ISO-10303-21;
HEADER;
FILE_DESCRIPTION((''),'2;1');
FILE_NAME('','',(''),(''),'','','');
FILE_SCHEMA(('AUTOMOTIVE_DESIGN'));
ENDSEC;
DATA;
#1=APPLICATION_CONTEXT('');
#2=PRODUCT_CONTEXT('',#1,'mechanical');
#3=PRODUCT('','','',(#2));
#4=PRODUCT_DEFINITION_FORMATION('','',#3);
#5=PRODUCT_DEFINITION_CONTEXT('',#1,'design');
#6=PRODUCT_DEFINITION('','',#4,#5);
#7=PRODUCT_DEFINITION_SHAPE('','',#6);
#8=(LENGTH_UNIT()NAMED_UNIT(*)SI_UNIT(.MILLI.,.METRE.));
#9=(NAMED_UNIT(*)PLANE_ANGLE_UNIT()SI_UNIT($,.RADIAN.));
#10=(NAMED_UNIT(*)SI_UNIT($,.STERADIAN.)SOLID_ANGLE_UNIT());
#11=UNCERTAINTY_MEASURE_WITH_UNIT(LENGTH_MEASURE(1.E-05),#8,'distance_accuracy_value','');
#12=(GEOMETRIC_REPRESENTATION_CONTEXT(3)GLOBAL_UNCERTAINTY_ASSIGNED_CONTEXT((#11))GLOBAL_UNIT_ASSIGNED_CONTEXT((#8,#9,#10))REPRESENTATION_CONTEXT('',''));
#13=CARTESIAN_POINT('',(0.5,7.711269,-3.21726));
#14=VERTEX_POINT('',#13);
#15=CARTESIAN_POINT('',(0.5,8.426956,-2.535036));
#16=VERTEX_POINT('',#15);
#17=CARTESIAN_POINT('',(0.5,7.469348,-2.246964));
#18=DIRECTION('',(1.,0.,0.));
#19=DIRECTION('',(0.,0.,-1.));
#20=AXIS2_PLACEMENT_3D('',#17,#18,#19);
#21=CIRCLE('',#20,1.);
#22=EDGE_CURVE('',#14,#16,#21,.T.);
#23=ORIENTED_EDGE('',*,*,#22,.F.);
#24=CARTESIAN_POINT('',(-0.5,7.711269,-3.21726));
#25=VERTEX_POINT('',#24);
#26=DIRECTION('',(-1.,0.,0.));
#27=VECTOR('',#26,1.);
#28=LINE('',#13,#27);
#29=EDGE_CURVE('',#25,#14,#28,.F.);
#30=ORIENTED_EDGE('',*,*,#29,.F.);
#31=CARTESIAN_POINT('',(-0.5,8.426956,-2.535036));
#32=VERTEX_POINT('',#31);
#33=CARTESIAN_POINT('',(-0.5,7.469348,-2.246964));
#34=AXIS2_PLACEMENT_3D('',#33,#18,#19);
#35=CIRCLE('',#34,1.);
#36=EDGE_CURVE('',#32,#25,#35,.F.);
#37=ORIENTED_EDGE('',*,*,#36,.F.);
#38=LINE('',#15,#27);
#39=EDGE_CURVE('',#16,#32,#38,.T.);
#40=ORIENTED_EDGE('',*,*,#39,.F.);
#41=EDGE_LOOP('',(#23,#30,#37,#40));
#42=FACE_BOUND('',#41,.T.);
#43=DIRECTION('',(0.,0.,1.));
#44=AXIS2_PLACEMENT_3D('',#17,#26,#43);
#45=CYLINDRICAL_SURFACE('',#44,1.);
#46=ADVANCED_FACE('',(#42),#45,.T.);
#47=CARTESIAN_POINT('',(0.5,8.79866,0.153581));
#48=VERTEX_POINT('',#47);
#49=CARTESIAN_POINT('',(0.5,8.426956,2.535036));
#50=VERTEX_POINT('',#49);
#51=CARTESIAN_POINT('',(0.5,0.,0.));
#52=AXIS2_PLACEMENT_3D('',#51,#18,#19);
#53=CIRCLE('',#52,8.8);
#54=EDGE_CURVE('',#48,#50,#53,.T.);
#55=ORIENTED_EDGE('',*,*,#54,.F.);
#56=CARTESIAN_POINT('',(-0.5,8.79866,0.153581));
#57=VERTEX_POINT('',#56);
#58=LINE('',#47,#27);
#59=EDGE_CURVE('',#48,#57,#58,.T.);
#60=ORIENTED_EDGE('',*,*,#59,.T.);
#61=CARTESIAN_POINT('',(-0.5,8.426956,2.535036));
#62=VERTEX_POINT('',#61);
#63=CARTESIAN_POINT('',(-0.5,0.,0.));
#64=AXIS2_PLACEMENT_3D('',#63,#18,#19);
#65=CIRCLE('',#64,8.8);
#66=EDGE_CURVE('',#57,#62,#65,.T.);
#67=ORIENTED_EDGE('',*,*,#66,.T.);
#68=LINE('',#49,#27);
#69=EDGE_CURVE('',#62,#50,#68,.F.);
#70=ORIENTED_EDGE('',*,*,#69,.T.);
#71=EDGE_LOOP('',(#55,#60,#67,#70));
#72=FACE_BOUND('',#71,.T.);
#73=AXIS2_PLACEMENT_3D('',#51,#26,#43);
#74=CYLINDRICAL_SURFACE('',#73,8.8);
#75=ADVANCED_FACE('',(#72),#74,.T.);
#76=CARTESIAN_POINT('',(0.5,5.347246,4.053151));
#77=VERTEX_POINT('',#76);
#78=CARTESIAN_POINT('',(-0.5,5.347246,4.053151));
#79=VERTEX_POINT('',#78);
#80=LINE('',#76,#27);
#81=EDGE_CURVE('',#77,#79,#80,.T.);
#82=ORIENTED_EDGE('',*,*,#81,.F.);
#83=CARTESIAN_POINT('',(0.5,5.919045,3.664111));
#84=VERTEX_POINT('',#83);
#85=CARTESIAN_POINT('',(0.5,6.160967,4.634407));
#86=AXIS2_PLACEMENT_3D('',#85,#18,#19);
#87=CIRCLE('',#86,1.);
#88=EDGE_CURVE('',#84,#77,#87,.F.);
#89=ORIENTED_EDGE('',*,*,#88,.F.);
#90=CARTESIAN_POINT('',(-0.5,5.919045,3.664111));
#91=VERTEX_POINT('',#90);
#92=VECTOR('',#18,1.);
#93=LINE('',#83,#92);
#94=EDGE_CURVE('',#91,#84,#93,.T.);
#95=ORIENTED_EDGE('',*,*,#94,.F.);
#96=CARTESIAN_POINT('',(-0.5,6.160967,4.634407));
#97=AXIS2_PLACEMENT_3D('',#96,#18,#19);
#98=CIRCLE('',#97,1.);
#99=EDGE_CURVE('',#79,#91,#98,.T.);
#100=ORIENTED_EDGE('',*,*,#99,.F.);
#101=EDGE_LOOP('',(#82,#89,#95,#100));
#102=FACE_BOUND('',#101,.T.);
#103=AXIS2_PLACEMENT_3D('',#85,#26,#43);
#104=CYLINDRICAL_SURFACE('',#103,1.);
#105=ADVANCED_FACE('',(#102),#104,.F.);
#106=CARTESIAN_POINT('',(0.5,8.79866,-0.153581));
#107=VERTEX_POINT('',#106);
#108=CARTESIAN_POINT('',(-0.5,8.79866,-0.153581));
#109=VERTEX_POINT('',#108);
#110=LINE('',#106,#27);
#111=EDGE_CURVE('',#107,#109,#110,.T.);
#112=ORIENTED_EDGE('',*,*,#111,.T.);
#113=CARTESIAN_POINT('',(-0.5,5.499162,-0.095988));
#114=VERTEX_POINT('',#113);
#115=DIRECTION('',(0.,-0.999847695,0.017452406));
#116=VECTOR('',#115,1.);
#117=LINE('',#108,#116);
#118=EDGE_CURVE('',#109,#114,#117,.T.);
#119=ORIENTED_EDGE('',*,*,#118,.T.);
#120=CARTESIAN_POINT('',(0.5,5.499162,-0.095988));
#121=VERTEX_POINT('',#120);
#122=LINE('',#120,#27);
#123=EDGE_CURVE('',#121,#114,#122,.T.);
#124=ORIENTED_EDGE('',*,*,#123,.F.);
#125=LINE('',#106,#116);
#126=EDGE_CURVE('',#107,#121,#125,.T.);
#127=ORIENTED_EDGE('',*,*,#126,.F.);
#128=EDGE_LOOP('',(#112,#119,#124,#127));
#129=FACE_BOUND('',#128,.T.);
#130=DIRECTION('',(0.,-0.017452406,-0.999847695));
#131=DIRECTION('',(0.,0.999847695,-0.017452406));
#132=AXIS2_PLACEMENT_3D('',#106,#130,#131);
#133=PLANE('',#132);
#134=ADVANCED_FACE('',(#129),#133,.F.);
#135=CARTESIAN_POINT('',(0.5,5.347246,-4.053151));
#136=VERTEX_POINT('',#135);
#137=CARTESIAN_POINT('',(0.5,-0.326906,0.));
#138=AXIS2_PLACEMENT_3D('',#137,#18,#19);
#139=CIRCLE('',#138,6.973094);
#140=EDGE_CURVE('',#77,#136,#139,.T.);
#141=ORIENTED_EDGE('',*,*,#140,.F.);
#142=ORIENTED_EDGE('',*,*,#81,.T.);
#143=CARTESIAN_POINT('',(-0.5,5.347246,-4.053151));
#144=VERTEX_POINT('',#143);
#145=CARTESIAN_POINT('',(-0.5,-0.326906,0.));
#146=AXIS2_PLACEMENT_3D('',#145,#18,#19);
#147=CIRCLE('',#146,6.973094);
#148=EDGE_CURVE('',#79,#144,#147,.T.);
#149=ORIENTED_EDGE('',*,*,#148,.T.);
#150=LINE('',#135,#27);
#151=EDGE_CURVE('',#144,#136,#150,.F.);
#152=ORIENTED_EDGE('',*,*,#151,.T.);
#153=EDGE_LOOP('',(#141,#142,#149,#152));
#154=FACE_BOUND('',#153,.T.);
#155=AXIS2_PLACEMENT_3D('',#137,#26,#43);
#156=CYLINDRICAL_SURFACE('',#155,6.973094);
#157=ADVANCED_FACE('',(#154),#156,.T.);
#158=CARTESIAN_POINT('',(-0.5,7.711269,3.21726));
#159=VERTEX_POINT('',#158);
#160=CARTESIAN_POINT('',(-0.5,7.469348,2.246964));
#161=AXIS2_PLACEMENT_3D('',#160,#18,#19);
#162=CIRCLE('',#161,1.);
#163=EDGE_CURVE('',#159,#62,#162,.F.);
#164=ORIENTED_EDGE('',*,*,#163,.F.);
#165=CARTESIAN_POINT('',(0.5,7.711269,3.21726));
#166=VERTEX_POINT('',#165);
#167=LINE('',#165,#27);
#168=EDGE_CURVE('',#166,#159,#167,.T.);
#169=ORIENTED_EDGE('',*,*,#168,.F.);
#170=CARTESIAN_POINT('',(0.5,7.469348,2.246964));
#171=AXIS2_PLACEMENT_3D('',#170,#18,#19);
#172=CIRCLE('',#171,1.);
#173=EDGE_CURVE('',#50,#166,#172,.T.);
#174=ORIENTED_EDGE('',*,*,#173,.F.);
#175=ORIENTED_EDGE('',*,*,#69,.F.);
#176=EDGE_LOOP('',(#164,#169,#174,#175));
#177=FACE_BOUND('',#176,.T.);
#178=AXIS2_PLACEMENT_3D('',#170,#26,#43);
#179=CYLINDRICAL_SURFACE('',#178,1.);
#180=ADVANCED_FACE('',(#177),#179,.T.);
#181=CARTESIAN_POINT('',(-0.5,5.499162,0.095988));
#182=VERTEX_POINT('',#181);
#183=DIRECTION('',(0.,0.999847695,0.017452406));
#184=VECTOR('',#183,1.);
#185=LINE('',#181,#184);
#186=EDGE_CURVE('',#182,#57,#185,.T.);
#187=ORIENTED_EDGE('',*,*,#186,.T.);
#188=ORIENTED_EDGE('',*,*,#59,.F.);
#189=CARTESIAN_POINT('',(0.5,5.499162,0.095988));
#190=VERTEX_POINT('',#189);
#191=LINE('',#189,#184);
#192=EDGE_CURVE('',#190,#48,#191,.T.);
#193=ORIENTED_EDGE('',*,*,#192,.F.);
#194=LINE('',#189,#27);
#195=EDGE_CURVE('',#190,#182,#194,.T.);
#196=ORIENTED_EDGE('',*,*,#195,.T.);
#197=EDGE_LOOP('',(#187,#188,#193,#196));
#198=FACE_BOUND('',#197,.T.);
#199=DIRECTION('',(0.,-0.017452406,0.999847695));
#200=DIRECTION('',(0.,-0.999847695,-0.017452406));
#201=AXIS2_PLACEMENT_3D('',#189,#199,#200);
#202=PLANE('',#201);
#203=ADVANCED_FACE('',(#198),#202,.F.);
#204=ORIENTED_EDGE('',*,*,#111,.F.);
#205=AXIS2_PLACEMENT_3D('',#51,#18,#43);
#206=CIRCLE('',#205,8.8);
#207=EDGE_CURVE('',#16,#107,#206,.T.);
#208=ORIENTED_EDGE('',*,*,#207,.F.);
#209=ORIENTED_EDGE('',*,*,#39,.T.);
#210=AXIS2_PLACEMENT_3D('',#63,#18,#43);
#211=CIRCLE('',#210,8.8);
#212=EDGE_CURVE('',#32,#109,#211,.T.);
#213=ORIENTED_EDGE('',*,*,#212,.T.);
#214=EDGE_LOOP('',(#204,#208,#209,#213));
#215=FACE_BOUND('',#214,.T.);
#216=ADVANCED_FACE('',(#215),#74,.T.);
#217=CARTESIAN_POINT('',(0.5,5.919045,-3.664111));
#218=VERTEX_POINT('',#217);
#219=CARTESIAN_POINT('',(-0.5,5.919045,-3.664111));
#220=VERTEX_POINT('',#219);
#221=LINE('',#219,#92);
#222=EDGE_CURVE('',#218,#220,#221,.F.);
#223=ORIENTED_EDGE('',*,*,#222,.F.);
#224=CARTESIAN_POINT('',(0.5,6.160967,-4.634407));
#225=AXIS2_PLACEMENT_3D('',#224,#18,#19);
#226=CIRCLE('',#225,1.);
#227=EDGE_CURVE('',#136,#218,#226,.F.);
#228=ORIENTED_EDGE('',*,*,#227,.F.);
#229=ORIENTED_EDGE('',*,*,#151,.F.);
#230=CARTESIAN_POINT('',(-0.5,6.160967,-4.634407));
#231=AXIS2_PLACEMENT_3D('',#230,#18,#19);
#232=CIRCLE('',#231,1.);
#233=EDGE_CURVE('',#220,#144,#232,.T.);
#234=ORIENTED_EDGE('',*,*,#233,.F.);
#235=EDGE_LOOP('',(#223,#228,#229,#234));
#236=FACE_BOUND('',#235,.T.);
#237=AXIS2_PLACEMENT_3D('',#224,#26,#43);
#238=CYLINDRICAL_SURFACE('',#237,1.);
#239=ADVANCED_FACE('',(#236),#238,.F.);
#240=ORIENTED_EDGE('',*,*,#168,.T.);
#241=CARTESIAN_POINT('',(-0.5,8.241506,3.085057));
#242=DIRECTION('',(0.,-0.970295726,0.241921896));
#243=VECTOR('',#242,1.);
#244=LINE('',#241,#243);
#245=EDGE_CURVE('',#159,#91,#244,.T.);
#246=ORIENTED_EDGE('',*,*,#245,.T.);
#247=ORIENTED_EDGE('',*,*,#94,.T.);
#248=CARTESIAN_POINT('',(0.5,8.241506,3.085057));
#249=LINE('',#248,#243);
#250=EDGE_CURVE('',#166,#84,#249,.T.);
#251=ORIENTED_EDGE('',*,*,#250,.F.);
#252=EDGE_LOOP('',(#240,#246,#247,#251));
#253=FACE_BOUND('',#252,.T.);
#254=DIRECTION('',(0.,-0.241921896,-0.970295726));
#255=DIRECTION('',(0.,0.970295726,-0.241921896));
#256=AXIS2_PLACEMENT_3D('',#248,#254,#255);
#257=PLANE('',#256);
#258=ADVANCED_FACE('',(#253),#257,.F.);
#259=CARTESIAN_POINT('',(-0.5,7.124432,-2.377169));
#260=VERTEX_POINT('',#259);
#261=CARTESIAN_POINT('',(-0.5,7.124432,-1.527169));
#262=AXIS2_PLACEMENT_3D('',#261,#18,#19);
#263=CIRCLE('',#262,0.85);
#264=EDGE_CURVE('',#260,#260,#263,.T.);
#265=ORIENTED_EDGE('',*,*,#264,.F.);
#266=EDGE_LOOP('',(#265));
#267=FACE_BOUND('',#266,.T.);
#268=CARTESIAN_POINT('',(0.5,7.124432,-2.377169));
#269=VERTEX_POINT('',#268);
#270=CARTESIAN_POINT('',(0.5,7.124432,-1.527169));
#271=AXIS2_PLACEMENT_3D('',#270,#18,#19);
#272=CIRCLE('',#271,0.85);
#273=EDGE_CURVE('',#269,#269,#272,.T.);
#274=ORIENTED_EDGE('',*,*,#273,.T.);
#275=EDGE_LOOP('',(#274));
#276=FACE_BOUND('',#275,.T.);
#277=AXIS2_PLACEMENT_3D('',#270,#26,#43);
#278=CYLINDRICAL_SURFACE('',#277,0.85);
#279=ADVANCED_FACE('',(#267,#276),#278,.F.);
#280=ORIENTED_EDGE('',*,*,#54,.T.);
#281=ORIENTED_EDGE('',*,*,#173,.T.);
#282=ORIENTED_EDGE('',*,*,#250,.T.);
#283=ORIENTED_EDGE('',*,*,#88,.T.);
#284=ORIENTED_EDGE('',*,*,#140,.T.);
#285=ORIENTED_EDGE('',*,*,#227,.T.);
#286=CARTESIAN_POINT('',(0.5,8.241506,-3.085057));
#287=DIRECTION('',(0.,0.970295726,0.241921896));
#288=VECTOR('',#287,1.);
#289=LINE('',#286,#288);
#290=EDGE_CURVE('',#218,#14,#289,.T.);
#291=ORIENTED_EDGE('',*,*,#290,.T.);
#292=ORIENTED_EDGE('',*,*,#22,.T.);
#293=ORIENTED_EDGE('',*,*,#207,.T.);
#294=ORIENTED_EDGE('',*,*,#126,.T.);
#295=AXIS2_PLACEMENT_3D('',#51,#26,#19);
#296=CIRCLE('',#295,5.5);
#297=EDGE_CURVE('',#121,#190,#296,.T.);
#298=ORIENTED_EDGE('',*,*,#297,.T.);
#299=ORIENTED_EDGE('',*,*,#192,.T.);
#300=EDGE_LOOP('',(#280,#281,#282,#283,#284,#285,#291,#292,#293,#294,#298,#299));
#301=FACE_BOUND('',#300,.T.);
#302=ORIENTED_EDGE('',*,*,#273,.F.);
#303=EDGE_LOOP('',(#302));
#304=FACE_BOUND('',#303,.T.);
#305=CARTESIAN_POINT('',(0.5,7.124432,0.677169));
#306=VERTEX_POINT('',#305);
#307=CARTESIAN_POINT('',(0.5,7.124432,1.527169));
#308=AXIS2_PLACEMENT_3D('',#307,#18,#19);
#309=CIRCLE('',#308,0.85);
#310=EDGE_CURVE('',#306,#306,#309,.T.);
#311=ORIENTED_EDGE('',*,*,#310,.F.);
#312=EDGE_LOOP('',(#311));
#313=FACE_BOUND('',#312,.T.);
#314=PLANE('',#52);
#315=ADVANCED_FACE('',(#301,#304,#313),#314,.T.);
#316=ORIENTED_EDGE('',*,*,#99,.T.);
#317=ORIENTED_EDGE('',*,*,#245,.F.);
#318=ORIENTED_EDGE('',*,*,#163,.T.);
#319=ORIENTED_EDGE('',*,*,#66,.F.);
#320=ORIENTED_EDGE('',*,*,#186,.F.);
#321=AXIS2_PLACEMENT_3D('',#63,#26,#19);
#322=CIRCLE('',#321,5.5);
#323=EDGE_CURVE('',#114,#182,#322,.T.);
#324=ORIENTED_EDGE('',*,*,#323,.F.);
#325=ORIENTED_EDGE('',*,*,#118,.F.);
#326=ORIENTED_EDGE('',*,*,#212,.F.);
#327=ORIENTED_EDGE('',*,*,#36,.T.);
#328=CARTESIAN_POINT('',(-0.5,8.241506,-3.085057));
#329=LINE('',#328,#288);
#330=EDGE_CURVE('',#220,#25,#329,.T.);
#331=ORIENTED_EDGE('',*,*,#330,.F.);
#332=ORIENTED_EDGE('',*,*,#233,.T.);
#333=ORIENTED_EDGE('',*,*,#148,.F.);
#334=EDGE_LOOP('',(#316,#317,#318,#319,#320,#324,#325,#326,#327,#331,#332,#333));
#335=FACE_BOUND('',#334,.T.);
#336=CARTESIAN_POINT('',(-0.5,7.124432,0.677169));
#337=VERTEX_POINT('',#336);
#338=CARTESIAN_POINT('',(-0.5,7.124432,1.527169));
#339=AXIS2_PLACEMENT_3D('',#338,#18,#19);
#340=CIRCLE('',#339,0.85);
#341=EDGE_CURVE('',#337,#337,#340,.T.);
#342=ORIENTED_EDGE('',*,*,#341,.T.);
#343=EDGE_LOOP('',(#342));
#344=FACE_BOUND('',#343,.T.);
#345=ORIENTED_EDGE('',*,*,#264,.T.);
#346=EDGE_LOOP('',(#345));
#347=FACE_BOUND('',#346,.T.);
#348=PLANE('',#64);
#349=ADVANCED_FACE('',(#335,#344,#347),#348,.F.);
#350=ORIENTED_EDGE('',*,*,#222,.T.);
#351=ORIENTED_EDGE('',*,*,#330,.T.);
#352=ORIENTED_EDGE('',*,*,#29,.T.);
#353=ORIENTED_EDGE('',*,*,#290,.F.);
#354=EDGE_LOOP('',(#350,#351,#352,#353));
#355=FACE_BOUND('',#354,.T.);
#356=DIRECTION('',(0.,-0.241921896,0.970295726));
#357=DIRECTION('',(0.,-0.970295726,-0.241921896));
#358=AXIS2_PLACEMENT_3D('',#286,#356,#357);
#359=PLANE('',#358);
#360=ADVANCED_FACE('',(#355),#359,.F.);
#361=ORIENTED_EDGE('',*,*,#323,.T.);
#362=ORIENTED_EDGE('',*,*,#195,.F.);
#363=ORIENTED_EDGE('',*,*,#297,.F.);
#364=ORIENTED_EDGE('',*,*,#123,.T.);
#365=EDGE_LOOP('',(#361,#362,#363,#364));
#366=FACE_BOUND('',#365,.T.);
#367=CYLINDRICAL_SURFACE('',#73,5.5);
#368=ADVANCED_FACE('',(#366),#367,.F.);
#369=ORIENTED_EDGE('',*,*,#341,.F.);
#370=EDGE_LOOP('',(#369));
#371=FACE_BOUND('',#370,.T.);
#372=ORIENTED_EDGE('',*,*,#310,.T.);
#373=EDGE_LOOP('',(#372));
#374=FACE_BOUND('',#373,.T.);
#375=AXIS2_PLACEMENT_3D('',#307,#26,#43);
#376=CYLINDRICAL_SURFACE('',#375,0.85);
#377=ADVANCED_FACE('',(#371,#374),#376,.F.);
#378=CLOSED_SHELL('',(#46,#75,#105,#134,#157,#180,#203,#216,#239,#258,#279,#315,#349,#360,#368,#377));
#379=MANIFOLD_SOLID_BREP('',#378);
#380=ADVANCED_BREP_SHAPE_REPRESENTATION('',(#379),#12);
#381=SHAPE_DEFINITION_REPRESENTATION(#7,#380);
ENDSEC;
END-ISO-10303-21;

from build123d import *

# Parameters (mm, degrees)
SKETCH1_R      = 0.85
EXTRUDE1_DEPTH = 0.5
FILLET1_R      = 1


with BuildPart() as part:
    # Sketch1 → Extrude1 (new, symmetric)
    with BuildSketch(Plane(origin=(0, 0, 0), x_dir=(0, 0, -1), z_dir=(1, 0, 0))):
        with BuildLine():
            Line((-0.095988235, 5.499162323), (-0.153581177, 8.798659717))
            ThreePointArc((-0.153581177, 8.798659717), (-1.643106536, 8.645241518), (-3.085056855, 8.241506185))
            Line((-3.085056855, 8.241506185), (-3.756691586, 5.54772641))
            ThreePointArc((-3.756691586, 5.54772641), (0, -7.3), (3.756691586, 5.54772641))
            Line((3.756691586, 5.54772641), (3.085056855, 8.241506185))
            ThreePointArc((3.085056855, 8.241506185), (1.643106536, 8.645241518), (0.153581177, 8.798659717))
            Line((0.153581177, 8.798659717), (0.095988235, 5.499162323))
            ThreePointArc((0.095988235, 5.499162323), (0, -5.5), (-0.095988235, 5.499162323))
        make_face()
        with Locations((-1.527168783, 7.124432315)):
            Circle(SKETCH1_R, mode=Mode.SUBTRACT)
        with Locations((1.527168783, 7.124432315)):
            Circle(SKETCH1_R, mode=Mode.SUBTRACT)
    extrude(amount=EXTRUDE1_DEPTH, both=True)

    # Fillet1
    fillet1_edges = [part.edges().sort_by_distance(p)[0] for p in [
        (0, 8.241506185, -3.085056855),
        (0, 5.54772641, -3.756691586),
        (0, 5.54772641, 3.756691586),
        (0, 8.241506185, 3.085056855),
    ]]
    fillet(fillet1_edges, radius=FILLET1_R)


solid = part.part
